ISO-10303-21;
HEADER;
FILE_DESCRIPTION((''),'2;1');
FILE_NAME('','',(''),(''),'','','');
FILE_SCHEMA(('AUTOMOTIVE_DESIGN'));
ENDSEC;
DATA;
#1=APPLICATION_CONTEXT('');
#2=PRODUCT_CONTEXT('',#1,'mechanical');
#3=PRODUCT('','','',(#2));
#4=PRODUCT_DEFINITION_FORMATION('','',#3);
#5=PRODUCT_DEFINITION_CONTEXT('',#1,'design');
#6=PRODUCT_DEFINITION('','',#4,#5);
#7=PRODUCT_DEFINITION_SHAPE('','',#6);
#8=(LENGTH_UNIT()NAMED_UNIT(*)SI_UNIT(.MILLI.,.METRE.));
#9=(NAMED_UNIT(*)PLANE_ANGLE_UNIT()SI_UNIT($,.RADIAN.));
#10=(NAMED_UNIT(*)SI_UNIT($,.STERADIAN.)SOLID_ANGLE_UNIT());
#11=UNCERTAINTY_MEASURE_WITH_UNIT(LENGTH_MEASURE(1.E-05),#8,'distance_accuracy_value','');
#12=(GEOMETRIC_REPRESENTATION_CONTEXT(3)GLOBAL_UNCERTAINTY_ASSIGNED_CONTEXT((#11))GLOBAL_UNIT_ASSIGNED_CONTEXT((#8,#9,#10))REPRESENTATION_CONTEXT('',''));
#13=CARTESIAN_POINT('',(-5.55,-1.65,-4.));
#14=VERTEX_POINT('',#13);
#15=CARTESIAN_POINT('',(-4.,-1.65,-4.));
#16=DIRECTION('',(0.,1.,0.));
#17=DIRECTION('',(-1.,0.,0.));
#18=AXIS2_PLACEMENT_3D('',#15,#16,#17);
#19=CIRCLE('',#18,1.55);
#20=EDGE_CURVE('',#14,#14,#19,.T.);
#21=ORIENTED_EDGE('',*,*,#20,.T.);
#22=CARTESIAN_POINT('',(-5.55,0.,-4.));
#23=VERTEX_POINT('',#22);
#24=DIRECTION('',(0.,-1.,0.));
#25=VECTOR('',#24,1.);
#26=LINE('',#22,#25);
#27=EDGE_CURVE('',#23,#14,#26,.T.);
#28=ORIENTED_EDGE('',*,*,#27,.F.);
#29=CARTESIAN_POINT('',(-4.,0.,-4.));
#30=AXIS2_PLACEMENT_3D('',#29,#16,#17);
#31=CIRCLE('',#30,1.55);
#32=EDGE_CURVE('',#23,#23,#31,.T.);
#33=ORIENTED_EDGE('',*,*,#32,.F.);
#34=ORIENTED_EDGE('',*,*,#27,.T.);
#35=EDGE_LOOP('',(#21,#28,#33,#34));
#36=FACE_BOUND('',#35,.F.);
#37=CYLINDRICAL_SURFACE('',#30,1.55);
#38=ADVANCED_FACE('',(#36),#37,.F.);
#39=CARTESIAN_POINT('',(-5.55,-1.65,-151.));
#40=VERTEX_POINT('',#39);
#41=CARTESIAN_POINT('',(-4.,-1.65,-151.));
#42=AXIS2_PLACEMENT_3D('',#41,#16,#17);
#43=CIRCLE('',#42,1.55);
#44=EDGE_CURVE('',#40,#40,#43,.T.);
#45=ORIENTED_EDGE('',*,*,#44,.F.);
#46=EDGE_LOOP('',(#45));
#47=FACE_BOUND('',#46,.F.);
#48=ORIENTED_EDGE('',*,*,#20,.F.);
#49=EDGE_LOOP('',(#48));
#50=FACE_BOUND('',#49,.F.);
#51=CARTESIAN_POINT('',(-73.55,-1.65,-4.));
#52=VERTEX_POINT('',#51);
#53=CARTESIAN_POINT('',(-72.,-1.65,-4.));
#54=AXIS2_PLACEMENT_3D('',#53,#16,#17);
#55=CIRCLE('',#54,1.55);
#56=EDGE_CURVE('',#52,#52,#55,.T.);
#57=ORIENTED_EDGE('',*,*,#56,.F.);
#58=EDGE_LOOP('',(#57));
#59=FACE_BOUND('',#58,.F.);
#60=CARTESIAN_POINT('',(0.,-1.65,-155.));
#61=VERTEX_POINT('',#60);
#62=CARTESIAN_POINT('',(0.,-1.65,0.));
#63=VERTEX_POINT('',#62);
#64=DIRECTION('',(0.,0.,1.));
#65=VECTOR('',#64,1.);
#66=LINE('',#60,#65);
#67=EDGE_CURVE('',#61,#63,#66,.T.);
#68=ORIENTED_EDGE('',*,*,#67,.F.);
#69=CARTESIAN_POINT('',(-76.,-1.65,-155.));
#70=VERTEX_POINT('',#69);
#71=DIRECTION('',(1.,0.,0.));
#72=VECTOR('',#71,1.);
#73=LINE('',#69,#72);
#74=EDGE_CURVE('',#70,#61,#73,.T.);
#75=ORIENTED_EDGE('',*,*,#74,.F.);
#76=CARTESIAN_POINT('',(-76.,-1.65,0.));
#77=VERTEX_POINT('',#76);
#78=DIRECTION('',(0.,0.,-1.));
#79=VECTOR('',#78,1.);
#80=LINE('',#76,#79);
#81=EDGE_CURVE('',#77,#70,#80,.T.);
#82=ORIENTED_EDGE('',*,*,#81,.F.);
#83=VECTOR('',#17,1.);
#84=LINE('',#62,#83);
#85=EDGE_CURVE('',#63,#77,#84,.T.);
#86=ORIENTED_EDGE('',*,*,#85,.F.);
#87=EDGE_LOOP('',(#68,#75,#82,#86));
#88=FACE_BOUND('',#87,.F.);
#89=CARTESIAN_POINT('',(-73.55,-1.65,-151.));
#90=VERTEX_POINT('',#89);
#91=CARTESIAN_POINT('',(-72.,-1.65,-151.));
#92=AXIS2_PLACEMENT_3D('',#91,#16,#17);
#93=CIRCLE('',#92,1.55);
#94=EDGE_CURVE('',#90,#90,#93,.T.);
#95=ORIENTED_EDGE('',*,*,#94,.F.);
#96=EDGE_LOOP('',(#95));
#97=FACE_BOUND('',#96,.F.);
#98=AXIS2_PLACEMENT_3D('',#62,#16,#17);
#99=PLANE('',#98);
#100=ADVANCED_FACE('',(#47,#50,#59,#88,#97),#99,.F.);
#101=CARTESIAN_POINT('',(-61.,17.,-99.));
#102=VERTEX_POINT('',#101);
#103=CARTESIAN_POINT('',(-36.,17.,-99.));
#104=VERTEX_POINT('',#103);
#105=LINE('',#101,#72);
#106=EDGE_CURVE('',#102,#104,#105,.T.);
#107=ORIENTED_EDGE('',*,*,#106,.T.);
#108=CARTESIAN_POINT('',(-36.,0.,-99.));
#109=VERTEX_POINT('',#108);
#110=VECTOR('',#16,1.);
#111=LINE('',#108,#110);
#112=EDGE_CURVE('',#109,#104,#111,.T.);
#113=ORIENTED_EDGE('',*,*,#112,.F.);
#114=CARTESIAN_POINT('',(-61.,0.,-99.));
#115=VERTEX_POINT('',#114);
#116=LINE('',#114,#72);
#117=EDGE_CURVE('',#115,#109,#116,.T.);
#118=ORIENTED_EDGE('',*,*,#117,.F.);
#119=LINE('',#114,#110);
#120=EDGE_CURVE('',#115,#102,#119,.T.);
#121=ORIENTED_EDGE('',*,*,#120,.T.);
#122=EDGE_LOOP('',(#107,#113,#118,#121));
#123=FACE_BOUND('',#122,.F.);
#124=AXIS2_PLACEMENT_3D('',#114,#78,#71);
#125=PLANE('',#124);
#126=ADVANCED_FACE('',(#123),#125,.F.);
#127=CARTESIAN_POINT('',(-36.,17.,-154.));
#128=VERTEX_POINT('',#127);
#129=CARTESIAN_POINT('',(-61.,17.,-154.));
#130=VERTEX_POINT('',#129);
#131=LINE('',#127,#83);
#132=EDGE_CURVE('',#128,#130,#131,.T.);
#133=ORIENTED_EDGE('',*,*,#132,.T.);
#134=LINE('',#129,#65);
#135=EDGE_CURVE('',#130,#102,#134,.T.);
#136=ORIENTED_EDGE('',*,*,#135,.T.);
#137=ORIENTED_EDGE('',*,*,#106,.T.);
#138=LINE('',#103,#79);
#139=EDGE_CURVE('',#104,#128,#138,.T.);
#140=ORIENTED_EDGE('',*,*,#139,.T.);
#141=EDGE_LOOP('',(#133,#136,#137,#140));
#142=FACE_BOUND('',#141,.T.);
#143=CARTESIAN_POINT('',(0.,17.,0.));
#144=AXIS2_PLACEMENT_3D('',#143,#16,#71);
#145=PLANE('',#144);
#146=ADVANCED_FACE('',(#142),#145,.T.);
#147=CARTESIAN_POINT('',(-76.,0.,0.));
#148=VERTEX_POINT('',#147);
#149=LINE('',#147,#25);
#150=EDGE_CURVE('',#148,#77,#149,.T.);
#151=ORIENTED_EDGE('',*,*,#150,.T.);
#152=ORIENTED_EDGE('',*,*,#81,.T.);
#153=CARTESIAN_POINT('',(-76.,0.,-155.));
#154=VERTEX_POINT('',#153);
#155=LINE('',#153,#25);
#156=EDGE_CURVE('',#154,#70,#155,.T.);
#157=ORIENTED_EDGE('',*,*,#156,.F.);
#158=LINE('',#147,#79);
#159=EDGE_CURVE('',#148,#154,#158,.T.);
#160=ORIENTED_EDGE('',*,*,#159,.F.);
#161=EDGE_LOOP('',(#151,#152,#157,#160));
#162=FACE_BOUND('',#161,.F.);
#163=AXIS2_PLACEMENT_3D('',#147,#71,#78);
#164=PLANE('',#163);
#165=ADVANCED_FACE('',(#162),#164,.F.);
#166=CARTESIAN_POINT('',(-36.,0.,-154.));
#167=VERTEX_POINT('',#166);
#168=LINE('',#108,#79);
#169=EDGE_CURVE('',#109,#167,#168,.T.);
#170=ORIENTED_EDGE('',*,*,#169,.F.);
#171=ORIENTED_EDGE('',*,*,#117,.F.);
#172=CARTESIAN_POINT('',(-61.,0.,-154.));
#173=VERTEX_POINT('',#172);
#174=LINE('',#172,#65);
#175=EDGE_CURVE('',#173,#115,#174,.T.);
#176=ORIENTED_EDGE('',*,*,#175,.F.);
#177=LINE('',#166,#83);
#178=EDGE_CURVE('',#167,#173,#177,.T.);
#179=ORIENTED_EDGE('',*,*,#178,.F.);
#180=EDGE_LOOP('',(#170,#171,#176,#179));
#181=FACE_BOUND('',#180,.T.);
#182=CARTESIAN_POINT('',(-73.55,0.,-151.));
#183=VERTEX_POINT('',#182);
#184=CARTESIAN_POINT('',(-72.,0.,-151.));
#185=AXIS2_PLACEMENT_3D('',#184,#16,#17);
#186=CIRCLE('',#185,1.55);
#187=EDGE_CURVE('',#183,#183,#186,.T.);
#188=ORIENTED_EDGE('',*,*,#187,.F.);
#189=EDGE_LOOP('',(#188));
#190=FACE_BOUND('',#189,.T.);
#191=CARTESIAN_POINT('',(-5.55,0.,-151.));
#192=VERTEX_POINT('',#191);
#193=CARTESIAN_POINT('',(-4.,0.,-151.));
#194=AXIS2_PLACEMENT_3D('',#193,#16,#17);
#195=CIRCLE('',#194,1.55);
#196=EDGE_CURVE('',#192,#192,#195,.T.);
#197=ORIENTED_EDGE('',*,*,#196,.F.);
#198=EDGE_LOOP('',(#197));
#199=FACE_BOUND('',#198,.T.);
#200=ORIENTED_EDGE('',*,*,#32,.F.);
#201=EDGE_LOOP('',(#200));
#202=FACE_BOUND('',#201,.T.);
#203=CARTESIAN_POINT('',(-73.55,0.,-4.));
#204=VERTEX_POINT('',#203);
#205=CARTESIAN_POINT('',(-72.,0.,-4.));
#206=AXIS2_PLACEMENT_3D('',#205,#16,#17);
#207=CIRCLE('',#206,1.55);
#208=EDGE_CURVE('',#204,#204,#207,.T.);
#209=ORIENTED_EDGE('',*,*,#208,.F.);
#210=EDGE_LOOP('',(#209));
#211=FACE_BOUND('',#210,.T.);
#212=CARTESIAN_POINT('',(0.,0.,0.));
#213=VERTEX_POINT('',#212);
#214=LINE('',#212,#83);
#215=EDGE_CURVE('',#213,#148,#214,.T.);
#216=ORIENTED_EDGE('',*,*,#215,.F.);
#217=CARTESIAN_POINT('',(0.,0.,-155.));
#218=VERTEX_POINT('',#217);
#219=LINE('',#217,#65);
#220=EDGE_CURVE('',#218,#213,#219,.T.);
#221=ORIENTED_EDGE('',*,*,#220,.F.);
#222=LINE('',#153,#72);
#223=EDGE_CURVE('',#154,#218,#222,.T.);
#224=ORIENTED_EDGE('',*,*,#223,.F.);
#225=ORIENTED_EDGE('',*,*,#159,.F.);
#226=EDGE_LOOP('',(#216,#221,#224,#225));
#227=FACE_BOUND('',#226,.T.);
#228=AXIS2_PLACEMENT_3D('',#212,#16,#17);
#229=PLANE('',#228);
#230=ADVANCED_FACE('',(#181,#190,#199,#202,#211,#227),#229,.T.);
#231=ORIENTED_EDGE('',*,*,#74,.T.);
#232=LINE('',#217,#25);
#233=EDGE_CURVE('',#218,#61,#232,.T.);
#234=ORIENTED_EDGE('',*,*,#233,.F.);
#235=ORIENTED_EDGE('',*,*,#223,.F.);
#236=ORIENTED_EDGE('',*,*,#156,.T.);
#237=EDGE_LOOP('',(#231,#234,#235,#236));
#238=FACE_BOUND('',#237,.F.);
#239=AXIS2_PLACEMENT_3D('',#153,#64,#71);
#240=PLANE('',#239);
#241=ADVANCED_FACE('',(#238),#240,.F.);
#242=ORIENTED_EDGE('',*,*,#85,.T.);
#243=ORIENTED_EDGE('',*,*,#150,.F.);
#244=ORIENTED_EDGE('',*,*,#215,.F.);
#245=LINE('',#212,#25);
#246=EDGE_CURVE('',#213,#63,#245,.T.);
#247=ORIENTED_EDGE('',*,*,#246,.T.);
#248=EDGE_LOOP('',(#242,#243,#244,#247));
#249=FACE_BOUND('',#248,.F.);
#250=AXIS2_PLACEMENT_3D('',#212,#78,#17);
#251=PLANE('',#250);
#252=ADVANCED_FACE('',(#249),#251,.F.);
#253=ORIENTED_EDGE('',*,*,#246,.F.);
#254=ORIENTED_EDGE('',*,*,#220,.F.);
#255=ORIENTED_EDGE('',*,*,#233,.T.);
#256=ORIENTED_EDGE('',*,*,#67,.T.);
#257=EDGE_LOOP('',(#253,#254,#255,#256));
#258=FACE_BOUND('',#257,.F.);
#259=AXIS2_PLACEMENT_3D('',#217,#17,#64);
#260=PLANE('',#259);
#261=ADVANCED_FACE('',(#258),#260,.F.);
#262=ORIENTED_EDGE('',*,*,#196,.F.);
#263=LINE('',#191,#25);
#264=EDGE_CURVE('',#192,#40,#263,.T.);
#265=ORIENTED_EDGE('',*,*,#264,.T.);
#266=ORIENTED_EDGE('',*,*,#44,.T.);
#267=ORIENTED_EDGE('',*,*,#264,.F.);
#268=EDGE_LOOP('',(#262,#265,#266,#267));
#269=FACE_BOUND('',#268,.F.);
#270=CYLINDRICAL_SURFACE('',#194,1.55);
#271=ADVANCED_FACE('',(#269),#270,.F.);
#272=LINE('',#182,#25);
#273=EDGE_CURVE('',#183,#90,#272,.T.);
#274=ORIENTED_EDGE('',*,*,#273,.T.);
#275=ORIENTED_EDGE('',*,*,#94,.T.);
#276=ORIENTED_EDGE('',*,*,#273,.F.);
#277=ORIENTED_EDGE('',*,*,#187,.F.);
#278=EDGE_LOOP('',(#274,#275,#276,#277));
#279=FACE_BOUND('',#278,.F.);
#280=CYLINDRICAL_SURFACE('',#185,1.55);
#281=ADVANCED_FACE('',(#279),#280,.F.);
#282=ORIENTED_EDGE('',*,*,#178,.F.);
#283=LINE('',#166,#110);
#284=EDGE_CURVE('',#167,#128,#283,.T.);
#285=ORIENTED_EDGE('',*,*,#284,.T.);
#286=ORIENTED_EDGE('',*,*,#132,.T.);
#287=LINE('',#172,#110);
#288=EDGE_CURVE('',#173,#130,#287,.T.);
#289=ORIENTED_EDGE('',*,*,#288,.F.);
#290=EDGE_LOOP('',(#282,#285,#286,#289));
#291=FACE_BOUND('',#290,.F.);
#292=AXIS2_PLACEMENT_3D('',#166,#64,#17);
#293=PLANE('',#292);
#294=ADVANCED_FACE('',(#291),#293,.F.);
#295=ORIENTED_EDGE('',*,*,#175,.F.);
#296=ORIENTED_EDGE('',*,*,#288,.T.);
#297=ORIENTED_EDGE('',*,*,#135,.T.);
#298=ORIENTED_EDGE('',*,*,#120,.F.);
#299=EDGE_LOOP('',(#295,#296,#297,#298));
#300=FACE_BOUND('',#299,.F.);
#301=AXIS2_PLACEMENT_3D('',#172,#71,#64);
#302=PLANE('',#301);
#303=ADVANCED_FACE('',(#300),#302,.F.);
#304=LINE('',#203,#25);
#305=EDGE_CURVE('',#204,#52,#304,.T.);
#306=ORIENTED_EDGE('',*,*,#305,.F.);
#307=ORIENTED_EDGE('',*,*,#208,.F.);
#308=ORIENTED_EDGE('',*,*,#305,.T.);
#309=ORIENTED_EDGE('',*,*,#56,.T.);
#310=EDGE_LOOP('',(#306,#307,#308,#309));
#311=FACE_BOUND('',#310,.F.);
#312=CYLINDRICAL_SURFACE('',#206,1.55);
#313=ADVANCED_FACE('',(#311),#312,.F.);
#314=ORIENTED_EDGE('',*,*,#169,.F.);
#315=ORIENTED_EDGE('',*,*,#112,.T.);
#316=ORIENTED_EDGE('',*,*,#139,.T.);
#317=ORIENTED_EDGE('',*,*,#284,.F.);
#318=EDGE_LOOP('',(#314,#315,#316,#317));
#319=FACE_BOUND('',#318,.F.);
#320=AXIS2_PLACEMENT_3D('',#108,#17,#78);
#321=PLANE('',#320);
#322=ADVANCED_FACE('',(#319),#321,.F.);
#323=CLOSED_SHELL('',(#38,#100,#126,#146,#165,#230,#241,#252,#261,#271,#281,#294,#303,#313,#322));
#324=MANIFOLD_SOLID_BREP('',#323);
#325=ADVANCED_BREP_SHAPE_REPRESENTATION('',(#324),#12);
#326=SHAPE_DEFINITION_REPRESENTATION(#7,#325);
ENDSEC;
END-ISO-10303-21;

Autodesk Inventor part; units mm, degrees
ref_plane "YZ Plane" through (0, 0, 0) normal (1, 0, 0) x (0, 1, 0)
ref_plane "XZ Plane" through (0, 0, 0) normal (0, 1, 0) x (-1, 0, 0)
ref_plane "XY Plane" through (0, 0, 0) normal (0, 0, 1) x (1, 0, 0)
sketch "Sketch1" plane through (0, 0, 0) normal (0, 1, 0) x (-1, 0, 0)
  line L0 (0, 0) -> (76, 0)
  line L1 (76, 0) -> (76, -155)
  line L2 (76, -155) -> (0, -155)
  line L3 (0, -155) -> (0, 0)
  line L4 (81.1574, -77.5) -> (-13.3813, -77.5) construction
  line L5 (38, 8.4809) -> (38, -161.1275) construction
  line L6 (4, -151) -> (72, -151) construction
  line L7 (72, -151) -> (72, -4) construction
  line L8 (72, -4) -> (4, -4) construction
  line L9 (4, -4) -> (4, -151) construction
  line L10 (4, -151) -> (72, -4) construction
  line L11 (72, -151) -> (4, -4) construction
  circle A0 centre (72, -4) radius 1.55
  circle A1 centre (72, -151) radius 1.55
  circle A2 centre (4, -151) radius 1.55
  circle A3 centre (4, -4) radius 1.55
  point P0 (76, -77.5)
  point P1 (38, -155)
  point P2 (38, -77.5)
  dimension "d0" = 76
  dimension "d1" = 155
  dimension "d2" = 68
  dimension "d3" = 147
  dimension "d4" = 3.1
  dimension "d5" = 3.1
  dimension "d6" = 3.1
  dimension "d7" = 3.1
extrude "Extrusion1" add sketch "Sketch1" against normal blind 1.65
sketch "Sketch2" plane through (0, 0, 0) normal (0, 1, 0) x (1, 0, 0)
  line L0 (-61, 99) -> (-36, 99)
  line L1 (-36, 99) -> (-36, 154)
  line L2 (-36, 154) -> (-61, 154)
  line L3 (-61, 154) -> (-61, 99)
  line L4 (0, 155) -> (-76, 155) projected
  line L5 (-76, 155) -> (-76, 0) projected
  point P0 (0, 0)
  dimension "d10" = 25
  dimension "d11" = 55
  dimension "d12" = 56
  dimension "d13" = 40
extrude "Extrusion2" add sketch "Sketch2" along normal blind 17
properties part number "Coms Board V1"
